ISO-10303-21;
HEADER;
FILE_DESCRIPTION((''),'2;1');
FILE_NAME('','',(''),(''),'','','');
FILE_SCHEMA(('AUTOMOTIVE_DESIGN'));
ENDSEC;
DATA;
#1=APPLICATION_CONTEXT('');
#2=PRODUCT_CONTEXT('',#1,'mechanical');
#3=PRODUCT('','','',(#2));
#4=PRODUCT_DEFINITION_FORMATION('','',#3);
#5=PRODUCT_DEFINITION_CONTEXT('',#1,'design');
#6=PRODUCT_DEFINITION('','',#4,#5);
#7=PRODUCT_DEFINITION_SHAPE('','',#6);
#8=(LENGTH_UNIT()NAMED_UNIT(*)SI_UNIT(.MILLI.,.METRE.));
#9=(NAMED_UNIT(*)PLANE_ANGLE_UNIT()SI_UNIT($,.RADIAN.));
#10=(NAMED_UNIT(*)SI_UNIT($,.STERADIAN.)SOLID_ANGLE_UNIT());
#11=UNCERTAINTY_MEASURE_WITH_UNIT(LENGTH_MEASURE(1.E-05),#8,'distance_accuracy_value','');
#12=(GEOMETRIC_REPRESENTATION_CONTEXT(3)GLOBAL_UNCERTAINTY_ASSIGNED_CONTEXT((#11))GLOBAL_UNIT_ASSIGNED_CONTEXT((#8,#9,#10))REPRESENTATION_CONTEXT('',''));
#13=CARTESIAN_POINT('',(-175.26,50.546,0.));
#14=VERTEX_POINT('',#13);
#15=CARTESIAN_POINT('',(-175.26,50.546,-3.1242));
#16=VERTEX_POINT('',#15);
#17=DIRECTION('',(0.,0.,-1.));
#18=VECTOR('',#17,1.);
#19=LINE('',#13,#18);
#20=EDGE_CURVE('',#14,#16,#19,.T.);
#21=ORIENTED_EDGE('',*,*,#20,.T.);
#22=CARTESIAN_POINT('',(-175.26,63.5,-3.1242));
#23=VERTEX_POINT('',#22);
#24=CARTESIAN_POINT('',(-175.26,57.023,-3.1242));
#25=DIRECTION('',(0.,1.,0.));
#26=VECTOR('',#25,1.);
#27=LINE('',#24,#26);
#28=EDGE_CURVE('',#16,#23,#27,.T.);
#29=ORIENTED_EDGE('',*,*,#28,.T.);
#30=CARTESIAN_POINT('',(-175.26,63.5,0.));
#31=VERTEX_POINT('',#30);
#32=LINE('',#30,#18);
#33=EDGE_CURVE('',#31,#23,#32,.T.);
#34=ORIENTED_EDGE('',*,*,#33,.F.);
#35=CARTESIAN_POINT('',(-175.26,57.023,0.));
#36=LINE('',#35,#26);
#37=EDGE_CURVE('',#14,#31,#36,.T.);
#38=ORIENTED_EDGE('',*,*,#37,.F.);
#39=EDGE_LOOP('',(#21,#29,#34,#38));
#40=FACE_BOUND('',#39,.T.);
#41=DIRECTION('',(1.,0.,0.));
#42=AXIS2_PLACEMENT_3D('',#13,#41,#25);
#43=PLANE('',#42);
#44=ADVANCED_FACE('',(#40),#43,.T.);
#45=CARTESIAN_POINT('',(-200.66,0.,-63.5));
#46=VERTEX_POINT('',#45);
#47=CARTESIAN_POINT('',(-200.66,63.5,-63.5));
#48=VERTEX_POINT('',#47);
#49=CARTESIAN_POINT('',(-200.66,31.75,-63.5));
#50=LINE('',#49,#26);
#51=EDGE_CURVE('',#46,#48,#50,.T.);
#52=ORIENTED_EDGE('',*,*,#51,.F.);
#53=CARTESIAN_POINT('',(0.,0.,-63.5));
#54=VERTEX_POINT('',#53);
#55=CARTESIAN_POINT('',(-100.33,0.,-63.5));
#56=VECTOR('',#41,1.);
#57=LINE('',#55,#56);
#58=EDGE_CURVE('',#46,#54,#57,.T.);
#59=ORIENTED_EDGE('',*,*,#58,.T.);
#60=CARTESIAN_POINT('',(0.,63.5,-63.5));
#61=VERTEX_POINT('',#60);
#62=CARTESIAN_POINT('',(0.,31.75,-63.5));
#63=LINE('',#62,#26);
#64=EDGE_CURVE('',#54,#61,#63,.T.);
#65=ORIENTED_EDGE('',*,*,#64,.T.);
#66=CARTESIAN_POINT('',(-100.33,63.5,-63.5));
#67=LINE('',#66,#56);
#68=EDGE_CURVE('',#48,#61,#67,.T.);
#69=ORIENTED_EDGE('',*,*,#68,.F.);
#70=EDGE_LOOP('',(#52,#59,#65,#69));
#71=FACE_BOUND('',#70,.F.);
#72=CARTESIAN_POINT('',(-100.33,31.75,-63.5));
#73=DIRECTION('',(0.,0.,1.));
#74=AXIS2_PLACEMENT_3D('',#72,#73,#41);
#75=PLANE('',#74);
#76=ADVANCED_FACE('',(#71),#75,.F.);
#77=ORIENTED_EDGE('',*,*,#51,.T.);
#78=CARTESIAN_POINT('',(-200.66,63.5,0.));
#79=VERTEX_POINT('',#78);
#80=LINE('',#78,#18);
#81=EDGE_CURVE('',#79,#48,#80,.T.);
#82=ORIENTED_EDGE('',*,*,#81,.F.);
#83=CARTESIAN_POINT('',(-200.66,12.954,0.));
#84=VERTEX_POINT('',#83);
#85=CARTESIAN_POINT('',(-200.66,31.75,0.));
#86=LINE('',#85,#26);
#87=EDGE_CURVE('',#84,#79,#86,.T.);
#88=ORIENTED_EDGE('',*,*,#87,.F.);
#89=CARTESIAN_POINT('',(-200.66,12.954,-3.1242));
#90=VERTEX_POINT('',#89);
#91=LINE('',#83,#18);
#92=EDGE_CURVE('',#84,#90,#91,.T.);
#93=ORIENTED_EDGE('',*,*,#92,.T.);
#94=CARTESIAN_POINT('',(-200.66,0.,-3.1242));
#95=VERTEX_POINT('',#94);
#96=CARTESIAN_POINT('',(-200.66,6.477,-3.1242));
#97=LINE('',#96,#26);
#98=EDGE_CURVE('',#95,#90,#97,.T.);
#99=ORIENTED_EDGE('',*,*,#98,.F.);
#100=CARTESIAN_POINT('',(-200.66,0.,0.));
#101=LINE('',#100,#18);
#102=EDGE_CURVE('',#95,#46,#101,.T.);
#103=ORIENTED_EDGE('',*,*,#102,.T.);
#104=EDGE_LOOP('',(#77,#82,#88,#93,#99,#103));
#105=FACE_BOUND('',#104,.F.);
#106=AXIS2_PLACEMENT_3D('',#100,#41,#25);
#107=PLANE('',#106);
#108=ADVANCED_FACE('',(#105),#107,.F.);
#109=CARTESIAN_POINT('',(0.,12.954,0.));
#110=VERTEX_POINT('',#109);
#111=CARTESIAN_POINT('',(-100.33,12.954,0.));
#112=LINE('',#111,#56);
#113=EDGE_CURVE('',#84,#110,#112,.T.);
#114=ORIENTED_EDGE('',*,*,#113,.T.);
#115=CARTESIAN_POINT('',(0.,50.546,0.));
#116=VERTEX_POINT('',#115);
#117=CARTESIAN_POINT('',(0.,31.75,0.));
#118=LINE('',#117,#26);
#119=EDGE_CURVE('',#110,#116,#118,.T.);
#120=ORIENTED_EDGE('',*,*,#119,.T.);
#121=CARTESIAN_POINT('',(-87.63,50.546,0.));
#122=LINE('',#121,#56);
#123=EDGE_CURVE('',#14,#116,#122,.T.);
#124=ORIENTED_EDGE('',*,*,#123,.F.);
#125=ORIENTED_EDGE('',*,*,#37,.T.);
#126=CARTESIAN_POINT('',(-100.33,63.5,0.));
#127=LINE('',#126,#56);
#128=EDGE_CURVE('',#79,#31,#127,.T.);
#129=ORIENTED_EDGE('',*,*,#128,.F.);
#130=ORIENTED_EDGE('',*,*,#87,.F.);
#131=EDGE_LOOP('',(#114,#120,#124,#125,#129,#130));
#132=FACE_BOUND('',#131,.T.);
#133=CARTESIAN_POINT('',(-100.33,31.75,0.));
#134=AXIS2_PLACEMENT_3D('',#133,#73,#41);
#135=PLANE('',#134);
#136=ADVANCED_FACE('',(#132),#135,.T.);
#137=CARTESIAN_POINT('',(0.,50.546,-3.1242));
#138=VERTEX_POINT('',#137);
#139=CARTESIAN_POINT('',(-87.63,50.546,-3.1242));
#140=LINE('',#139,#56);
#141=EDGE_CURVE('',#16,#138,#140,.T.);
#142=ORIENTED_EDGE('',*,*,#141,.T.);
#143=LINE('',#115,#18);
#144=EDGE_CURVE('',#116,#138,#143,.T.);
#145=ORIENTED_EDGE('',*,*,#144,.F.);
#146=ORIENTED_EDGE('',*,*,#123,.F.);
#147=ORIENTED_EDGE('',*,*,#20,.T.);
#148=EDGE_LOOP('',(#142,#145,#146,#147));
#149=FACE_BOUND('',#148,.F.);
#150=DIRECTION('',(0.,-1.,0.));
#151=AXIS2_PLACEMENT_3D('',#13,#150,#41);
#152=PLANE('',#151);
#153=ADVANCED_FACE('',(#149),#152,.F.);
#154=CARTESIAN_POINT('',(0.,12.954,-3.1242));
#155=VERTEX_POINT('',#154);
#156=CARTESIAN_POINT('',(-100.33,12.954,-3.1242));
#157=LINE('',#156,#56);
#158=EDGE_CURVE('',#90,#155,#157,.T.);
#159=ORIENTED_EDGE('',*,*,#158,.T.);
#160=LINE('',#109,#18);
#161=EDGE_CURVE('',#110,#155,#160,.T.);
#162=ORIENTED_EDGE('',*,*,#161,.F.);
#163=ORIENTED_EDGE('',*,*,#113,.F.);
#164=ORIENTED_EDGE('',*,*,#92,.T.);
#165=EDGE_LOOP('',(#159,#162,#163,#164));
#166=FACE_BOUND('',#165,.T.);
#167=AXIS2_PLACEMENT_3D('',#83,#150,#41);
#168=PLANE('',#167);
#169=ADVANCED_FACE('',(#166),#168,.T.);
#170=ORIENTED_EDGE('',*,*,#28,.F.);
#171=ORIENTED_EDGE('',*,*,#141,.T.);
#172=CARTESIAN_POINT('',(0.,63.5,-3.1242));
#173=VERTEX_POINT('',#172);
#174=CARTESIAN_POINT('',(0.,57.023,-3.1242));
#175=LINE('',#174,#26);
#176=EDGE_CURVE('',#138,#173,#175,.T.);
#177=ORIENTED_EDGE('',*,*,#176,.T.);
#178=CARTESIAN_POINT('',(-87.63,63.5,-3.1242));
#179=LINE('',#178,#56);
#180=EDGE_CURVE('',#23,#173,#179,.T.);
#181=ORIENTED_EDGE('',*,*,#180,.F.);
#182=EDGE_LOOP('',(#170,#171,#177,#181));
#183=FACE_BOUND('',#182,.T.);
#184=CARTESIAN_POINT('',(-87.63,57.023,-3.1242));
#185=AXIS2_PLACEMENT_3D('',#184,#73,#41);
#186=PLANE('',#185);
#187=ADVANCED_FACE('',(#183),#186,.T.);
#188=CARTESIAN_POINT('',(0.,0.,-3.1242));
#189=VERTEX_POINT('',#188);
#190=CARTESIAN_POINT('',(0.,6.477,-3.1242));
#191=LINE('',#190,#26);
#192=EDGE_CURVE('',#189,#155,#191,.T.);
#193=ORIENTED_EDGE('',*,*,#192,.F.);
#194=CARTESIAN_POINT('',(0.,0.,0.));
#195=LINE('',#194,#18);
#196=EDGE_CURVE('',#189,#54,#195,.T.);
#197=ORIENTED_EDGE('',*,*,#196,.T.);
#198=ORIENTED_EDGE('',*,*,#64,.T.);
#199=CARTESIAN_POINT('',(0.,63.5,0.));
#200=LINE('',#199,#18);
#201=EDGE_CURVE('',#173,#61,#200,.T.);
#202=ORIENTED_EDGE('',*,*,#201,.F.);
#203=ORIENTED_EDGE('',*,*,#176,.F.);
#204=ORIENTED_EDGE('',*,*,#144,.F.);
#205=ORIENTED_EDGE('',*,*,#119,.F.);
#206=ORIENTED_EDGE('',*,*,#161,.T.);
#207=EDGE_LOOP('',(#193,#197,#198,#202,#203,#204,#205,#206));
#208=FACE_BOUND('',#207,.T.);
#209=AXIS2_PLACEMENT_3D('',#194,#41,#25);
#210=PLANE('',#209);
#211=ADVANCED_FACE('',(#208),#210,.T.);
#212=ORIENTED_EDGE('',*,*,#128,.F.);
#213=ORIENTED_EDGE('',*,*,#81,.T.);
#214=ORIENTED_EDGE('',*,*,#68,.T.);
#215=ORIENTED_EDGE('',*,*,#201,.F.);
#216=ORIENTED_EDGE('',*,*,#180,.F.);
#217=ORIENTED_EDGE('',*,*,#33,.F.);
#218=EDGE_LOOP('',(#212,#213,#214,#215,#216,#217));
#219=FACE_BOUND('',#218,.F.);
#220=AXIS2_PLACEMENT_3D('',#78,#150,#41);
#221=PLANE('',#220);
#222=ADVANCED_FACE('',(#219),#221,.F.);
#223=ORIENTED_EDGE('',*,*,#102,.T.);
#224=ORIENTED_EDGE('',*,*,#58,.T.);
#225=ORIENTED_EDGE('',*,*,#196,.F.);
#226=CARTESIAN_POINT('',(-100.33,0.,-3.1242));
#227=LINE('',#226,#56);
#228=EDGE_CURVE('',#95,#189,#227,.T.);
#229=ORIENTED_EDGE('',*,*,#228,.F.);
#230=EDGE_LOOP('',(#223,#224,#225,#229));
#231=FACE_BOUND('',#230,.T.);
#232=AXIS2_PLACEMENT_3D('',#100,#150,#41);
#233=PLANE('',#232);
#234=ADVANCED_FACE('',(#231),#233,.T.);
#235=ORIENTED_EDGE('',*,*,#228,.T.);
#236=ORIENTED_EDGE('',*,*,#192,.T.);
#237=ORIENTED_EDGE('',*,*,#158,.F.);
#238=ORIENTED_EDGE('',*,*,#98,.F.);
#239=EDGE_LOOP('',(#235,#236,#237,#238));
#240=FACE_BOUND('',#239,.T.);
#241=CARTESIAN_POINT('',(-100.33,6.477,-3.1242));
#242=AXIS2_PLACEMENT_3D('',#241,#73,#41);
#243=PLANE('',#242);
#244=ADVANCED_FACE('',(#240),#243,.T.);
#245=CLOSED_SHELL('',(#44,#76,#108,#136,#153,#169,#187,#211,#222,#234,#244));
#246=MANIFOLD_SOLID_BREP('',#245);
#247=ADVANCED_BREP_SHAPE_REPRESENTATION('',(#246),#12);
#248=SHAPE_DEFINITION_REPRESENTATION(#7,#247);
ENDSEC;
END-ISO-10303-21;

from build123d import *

# Parameters (mm, degrees)
F0_W     = 200.66
F0_H     = 63.5
F1_DEPTH = 63.5
F2_W     = 200.66
F2_H     = 12.954
F2_W_2   = 175.26
F3_DEPTH = 3.1242


with BuildPart() as f1:
    # F0 (on Top) → F1 (new body)
    with BuildSketch(Plane.XY):
        with Locations((-100.33, 31.75)):
            Rectangle(F0_W, F0_H)
    extrude(amount=-F1_DEPTH)

    # F2 (on face) → F3 (cut)
    with BuildSketch(Plane.XY):
        with Locations((-100.33, 6.477)):
            Rectangle(F2_W, F2_H)
        with Locations((-87.63, 57.023)):
            Rectangle(F2_W_2, F2_H)
    extrude(amount=-F3_DEPTH, mode=Mode.SUBTRACT)


solid = f1.part
